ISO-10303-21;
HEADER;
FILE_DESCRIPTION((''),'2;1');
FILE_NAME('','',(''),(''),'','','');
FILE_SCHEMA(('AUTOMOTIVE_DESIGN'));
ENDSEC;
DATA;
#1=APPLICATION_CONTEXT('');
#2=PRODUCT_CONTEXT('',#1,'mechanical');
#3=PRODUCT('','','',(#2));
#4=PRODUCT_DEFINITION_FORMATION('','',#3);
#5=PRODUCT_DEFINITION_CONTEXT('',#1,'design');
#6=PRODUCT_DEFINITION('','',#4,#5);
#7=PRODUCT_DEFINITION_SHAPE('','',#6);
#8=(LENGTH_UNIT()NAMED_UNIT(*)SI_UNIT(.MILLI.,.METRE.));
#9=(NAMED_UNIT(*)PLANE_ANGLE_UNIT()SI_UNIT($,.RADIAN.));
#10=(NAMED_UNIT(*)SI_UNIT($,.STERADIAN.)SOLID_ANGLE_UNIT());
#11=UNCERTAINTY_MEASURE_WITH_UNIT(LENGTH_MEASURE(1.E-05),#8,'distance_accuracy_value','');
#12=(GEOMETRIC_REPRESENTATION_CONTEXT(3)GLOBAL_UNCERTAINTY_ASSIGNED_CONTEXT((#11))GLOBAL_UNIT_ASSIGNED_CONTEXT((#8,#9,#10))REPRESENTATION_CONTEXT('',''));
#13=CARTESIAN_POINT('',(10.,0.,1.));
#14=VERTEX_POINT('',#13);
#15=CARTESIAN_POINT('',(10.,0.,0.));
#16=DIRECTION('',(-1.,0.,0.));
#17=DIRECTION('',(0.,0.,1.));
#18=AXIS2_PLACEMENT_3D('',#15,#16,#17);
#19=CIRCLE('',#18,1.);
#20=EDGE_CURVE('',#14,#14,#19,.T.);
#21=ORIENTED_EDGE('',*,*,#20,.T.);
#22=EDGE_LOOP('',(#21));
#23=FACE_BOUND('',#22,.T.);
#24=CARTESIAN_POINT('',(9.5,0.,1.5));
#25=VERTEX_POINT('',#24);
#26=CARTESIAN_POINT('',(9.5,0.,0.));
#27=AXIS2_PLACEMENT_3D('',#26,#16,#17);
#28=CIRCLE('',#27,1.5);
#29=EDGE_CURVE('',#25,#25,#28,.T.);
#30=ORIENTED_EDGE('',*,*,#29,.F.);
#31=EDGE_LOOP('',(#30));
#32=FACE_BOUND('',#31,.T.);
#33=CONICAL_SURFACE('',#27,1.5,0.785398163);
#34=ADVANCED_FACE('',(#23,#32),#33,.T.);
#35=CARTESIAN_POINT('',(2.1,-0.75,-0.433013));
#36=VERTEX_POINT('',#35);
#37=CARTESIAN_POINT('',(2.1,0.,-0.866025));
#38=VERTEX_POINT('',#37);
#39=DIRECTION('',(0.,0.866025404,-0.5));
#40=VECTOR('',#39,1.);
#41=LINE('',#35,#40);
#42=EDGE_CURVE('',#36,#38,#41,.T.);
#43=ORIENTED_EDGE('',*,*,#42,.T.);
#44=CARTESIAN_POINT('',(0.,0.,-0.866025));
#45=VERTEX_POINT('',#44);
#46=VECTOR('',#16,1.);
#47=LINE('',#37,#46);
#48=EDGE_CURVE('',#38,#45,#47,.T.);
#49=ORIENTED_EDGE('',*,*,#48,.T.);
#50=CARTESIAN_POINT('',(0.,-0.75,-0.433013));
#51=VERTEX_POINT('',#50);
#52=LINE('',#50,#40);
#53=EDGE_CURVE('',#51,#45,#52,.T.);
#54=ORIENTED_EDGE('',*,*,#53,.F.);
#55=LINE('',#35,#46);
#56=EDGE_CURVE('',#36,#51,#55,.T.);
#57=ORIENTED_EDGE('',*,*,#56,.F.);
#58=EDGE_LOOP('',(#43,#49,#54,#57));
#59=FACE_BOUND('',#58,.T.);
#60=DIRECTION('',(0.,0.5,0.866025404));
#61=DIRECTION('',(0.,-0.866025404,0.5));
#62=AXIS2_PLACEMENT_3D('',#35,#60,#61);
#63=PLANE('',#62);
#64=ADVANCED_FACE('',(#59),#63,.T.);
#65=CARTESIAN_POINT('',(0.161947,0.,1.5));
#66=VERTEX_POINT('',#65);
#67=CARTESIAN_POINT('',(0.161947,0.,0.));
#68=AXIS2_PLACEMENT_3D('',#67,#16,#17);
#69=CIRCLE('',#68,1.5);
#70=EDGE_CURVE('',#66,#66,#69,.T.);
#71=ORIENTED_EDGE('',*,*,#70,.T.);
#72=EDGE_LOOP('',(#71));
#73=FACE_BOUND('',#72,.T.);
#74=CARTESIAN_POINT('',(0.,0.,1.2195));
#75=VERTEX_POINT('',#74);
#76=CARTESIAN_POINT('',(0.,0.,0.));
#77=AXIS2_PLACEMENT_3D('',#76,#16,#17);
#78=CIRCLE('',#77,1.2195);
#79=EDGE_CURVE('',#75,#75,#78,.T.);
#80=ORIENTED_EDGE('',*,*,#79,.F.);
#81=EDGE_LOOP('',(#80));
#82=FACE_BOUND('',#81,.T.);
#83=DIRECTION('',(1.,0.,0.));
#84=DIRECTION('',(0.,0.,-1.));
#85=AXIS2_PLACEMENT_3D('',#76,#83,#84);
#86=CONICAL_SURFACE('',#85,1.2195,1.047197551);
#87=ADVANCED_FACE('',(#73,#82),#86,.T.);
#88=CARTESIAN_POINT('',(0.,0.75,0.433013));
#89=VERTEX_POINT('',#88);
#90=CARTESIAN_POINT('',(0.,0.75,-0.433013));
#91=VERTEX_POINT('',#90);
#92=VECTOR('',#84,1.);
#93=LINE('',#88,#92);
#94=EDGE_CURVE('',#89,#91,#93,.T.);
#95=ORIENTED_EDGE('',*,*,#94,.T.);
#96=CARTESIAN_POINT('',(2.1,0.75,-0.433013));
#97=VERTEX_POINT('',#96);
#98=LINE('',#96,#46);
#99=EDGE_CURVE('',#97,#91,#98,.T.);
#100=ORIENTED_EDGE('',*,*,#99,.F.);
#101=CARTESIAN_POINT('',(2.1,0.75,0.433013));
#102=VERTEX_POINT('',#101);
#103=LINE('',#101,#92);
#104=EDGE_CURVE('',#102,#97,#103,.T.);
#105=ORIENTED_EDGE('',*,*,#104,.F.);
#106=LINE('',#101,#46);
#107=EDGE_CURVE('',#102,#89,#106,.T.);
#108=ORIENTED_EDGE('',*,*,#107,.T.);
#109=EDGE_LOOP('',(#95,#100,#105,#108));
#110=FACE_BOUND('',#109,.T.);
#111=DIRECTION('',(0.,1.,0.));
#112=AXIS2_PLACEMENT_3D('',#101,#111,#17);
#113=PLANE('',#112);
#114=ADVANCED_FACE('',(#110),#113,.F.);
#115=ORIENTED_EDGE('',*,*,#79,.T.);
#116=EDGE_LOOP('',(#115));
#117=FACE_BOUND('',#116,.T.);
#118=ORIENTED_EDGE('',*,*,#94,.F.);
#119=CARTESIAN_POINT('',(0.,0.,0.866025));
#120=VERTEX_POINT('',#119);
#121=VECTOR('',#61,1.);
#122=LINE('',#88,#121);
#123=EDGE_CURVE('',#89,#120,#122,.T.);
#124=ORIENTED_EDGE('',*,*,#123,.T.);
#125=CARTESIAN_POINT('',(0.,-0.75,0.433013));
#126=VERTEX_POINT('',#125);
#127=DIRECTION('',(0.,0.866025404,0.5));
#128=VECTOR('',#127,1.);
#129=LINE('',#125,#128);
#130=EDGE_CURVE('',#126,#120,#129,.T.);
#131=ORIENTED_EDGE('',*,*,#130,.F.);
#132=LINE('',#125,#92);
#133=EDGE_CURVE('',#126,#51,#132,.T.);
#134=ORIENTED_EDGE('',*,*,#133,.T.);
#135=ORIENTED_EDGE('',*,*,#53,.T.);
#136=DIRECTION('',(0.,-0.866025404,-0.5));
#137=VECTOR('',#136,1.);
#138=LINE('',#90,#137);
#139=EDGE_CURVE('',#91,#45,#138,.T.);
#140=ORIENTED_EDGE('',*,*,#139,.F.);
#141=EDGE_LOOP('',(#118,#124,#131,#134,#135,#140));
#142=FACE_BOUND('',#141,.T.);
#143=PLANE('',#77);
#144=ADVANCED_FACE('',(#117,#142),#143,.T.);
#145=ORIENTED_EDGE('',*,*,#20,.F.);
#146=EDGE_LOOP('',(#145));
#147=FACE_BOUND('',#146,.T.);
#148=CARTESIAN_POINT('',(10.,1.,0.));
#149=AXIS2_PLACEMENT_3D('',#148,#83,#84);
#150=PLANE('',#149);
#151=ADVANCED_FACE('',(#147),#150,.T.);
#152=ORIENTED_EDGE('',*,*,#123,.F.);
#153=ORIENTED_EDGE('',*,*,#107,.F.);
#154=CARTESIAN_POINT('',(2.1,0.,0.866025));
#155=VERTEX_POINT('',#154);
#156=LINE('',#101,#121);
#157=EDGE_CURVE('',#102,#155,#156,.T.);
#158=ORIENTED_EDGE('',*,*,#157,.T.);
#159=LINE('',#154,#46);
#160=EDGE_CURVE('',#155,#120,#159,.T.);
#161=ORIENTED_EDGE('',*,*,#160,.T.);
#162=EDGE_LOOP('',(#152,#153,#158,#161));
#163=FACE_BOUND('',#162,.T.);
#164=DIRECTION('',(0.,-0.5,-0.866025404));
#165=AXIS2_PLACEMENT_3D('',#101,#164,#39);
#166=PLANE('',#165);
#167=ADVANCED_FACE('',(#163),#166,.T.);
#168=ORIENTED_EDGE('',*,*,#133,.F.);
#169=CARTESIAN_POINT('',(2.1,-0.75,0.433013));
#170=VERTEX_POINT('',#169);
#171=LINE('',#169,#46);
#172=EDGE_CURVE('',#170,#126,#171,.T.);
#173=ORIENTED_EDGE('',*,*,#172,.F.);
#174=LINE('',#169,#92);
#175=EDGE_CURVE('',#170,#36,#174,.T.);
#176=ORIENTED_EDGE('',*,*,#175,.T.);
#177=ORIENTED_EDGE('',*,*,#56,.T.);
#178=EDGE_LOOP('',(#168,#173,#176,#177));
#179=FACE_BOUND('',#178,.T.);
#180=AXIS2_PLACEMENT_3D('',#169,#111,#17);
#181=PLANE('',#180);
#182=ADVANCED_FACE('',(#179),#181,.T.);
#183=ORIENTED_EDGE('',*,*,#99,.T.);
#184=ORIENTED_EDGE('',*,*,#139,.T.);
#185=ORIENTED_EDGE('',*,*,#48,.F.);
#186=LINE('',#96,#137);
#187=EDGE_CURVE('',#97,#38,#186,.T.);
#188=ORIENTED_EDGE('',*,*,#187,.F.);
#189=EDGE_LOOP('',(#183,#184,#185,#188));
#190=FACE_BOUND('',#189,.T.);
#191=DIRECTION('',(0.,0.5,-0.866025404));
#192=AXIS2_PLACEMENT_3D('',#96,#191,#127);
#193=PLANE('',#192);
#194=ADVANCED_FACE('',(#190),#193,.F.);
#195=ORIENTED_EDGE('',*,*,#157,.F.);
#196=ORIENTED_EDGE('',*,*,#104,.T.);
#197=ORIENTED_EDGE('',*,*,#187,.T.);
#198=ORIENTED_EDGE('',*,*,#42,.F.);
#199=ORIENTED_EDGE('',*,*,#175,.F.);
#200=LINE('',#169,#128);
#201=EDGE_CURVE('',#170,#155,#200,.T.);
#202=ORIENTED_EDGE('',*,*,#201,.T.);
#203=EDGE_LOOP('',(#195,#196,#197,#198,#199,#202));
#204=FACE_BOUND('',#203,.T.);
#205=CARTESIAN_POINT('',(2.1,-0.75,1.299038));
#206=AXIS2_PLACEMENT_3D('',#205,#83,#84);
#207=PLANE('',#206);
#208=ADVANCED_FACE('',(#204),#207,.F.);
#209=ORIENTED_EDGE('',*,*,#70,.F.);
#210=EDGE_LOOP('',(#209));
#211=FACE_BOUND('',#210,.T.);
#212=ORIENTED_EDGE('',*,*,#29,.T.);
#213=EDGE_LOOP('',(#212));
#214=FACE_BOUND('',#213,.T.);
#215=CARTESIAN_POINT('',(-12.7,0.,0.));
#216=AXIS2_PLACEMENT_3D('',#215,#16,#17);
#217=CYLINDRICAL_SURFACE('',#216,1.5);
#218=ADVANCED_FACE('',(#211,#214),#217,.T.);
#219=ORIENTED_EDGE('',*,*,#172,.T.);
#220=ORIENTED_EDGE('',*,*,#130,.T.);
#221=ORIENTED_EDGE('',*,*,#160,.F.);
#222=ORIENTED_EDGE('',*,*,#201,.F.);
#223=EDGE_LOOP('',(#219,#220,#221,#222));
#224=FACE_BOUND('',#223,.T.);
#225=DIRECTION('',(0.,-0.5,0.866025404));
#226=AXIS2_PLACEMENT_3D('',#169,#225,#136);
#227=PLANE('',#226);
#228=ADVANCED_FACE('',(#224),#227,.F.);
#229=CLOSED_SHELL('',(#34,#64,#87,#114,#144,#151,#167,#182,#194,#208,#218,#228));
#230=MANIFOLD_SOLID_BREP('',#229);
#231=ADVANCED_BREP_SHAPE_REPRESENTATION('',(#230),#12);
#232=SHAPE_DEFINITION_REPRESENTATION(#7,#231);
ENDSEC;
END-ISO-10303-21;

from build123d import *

# Parameters (mm, degrees)
HEX_2_DEPTH = 2.1


with BuildPart() as part:
    # BodySke → BaseBody (revolve)
    with BuildSketch(Plane.XY, mode=Mode.PRIVATE) as basebody_sk:
        Polygon((0, 0), (0, 1.2195), (0.161946751, 1.5), (9.5, 1.5), (10, 1), (10, 0), align=None)
    revolve(basebody_sk.sketch.rotate(Axis((-12.7, 0, 0), (1, 0, 0)), 90), axis=Axis((-12.7, 0, 0), (1, 0, 0)))

    # Sketch2 → Hex 2 (cut)
    with BuildSketch(Plane.ZY):
        Polygon((0.433012702, 0.75), (-0.433012702, 0.75), (-0.866025404, 0), (-0.433012702, -0.75), (0.433012702, -0.75), (0.866025404, 0), align=None)
    extrude(amount=-HEX_2_DEPTH, mode=Mode.SUBTRACT)


solid = part.part
